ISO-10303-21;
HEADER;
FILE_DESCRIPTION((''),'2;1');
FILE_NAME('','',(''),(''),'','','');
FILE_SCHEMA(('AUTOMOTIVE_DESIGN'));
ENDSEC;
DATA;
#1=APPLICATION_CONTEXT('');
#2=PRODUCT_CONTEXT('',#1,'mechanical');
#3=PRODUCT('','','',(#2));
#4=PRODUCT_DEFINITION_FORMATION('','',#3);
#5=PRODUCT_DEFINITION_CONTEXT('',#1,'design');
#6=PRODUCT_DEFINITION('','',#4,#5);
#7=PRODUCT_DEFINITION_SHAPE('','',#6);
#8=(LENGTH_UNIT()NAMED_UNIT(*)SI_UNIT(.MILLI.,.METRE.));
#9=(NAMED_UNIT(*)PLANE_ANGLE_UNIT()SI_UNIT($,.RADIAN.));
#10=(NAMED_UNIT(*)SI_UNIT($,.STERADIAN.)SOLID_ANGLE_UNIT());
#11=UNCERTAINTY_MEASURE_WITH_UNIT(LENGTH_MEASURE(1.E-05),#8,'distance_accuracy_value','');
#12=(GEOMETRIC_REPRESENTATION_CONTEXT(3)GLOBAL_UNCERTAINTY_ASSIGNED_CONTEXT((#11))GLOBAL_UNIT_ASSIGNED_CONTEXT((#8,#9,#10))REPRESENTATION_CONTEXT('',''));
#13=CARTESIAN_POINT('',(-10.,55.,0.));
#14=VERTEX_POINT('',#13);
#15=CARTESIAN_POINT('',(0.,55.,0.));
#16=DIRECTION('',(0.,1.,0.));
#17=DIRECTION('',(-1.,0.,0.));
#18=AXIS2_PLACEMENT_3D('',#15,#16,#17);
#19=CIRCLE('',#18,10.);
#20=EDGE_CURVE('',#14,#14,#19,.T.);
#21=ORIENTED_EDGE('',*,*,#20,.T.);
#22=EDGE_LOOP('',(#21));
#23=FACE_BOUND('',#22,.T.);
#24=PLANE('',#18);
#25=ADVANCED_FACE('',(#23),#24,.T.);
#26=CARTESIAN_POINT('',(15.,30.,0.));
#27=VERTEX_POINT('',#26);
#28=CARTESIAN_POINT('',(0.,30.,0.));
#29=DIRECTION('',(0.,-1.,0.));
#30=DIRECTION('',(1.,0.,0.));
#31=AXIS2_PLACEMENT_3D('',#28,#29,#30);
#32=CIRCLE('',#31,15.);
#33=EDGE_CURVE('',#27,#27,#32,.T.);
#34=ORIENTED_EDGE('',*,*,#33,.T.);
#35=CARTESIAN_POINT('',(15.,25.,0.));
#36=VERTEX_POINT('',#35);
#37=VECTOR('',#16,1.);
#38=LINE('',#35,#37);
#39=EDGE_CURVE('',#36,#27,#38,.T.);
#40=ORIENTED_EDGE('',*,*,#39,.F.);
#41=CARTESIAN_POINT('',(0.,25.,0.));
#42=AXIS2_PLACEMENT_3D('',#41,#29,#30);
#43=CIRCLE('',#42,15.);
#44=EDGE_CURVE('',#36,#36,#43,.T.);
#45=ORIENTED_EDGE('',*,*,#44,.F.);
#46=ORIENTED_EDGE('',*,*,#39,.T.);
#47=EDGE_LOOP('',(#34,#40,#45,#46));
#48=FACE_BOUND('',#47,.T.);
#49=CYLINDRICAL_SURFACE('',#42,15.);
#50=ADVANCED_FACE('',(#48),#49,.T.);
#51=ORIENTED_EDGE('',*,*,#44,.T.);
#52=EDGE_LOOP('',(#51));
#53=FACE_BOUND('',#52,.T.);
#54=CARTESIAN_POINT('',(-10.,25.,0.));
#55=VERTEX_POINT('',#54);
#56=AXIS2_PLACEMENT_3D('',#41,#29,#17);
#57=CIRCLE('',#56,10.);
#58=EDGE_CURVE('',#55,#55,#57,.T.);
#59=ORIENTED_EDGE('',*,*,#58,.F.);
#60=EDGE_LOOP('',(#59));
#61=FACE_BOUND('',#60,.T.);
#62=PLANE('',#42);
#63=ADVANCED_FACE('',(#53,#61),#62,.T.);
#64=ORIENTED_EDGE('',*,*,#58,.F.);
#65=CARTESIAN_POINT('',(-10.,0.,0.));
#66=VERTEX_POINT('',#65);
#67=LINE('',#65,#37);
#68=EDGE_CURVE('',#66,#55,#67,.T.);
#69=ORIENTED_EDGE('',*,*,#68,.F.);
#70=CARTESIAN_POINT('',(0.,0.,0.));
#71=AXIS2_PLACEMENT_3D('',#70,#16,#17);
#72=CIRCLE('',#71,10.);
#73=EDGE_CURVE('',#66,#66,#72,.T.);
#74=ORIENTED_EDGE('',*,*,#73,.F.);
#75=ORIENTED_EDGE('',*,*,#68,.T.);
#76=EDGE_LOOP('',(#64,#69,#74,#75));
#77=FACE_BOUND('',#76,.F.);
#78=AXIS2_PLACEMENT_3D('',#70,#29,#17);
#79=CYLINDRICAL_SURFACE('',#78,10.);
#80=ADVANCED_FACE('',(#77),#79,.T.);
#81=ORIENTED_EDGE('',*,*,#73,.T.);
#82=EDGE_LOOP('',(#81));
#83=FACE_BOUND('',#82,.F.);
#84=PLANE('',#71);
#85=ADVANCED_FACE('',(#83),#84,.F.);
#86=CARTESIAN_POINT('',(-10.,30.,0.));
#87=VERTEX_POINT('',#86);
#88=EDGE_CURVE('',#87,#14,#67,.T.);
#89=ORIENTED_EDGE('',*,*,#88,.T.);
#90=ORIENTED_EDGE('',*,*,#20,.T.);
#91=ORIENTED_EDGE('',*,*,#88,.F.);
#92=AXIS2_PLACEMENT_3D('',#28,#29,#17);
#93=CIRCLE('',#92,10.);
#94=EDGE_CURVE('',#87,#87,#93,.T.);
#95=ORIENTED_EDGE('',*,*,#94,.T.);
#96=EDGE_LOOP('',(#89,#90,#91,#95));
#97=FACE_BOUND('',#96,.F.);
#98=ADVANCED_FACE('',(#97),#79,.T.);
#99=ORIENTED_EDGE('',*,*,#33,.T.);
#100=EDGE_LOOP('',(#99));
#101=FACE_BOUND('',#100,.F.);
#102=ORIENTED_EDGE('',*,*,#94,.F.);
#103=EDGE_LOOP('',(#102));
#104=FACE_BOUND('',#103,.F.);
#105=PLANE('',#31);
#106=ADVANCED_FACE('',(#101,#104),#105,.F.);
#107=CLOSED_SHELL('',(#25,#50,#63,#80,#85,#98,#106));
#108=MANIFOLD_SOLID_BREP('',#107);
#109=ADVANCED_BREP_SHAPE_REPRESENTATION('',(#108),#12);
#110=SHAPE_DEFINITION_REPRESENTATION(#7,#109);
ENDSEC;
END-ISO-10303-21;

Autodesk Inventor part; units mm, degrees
ref_plane "YZ Plane" through (0, 0, 0) normal (1, 0, 0) x (0, 1, 0)
ref_plane "XZ Plane" through (0, 0, 0) normal (0, 1, 0) x (-1, 0, 0)
ref_plane "XY Plane" through (0, 0, 0) normal (0, 0, 1) x (1, 0, 0)
sketch "Sketch1" plane through (0, 0, 0) normal (0, 1, 0) x (-1, 0, 0)
  circle A0 centre (0, 0) radius 10
  dimension "d0" = 20
extrude "Extrusion1" add sketch "Sketch1" along normal blind 55
ref_plane "Work Plane1" through (0, 25, 0) normal (0, -1, 0) x (1, 0, 0)
sketch "Sketch2" plane through (0, 25, 0) normal (0, -1, 0) x (1, 0, 0)
  circle A0 centre (0, 0) radius 10 projected
  circle A1 centre (0, 0) radius 15
  dimension "d4" = 30
extrude "Extrusion2" add sketch "Sketch2" against normal blind 5
properties part number "annular fin"
